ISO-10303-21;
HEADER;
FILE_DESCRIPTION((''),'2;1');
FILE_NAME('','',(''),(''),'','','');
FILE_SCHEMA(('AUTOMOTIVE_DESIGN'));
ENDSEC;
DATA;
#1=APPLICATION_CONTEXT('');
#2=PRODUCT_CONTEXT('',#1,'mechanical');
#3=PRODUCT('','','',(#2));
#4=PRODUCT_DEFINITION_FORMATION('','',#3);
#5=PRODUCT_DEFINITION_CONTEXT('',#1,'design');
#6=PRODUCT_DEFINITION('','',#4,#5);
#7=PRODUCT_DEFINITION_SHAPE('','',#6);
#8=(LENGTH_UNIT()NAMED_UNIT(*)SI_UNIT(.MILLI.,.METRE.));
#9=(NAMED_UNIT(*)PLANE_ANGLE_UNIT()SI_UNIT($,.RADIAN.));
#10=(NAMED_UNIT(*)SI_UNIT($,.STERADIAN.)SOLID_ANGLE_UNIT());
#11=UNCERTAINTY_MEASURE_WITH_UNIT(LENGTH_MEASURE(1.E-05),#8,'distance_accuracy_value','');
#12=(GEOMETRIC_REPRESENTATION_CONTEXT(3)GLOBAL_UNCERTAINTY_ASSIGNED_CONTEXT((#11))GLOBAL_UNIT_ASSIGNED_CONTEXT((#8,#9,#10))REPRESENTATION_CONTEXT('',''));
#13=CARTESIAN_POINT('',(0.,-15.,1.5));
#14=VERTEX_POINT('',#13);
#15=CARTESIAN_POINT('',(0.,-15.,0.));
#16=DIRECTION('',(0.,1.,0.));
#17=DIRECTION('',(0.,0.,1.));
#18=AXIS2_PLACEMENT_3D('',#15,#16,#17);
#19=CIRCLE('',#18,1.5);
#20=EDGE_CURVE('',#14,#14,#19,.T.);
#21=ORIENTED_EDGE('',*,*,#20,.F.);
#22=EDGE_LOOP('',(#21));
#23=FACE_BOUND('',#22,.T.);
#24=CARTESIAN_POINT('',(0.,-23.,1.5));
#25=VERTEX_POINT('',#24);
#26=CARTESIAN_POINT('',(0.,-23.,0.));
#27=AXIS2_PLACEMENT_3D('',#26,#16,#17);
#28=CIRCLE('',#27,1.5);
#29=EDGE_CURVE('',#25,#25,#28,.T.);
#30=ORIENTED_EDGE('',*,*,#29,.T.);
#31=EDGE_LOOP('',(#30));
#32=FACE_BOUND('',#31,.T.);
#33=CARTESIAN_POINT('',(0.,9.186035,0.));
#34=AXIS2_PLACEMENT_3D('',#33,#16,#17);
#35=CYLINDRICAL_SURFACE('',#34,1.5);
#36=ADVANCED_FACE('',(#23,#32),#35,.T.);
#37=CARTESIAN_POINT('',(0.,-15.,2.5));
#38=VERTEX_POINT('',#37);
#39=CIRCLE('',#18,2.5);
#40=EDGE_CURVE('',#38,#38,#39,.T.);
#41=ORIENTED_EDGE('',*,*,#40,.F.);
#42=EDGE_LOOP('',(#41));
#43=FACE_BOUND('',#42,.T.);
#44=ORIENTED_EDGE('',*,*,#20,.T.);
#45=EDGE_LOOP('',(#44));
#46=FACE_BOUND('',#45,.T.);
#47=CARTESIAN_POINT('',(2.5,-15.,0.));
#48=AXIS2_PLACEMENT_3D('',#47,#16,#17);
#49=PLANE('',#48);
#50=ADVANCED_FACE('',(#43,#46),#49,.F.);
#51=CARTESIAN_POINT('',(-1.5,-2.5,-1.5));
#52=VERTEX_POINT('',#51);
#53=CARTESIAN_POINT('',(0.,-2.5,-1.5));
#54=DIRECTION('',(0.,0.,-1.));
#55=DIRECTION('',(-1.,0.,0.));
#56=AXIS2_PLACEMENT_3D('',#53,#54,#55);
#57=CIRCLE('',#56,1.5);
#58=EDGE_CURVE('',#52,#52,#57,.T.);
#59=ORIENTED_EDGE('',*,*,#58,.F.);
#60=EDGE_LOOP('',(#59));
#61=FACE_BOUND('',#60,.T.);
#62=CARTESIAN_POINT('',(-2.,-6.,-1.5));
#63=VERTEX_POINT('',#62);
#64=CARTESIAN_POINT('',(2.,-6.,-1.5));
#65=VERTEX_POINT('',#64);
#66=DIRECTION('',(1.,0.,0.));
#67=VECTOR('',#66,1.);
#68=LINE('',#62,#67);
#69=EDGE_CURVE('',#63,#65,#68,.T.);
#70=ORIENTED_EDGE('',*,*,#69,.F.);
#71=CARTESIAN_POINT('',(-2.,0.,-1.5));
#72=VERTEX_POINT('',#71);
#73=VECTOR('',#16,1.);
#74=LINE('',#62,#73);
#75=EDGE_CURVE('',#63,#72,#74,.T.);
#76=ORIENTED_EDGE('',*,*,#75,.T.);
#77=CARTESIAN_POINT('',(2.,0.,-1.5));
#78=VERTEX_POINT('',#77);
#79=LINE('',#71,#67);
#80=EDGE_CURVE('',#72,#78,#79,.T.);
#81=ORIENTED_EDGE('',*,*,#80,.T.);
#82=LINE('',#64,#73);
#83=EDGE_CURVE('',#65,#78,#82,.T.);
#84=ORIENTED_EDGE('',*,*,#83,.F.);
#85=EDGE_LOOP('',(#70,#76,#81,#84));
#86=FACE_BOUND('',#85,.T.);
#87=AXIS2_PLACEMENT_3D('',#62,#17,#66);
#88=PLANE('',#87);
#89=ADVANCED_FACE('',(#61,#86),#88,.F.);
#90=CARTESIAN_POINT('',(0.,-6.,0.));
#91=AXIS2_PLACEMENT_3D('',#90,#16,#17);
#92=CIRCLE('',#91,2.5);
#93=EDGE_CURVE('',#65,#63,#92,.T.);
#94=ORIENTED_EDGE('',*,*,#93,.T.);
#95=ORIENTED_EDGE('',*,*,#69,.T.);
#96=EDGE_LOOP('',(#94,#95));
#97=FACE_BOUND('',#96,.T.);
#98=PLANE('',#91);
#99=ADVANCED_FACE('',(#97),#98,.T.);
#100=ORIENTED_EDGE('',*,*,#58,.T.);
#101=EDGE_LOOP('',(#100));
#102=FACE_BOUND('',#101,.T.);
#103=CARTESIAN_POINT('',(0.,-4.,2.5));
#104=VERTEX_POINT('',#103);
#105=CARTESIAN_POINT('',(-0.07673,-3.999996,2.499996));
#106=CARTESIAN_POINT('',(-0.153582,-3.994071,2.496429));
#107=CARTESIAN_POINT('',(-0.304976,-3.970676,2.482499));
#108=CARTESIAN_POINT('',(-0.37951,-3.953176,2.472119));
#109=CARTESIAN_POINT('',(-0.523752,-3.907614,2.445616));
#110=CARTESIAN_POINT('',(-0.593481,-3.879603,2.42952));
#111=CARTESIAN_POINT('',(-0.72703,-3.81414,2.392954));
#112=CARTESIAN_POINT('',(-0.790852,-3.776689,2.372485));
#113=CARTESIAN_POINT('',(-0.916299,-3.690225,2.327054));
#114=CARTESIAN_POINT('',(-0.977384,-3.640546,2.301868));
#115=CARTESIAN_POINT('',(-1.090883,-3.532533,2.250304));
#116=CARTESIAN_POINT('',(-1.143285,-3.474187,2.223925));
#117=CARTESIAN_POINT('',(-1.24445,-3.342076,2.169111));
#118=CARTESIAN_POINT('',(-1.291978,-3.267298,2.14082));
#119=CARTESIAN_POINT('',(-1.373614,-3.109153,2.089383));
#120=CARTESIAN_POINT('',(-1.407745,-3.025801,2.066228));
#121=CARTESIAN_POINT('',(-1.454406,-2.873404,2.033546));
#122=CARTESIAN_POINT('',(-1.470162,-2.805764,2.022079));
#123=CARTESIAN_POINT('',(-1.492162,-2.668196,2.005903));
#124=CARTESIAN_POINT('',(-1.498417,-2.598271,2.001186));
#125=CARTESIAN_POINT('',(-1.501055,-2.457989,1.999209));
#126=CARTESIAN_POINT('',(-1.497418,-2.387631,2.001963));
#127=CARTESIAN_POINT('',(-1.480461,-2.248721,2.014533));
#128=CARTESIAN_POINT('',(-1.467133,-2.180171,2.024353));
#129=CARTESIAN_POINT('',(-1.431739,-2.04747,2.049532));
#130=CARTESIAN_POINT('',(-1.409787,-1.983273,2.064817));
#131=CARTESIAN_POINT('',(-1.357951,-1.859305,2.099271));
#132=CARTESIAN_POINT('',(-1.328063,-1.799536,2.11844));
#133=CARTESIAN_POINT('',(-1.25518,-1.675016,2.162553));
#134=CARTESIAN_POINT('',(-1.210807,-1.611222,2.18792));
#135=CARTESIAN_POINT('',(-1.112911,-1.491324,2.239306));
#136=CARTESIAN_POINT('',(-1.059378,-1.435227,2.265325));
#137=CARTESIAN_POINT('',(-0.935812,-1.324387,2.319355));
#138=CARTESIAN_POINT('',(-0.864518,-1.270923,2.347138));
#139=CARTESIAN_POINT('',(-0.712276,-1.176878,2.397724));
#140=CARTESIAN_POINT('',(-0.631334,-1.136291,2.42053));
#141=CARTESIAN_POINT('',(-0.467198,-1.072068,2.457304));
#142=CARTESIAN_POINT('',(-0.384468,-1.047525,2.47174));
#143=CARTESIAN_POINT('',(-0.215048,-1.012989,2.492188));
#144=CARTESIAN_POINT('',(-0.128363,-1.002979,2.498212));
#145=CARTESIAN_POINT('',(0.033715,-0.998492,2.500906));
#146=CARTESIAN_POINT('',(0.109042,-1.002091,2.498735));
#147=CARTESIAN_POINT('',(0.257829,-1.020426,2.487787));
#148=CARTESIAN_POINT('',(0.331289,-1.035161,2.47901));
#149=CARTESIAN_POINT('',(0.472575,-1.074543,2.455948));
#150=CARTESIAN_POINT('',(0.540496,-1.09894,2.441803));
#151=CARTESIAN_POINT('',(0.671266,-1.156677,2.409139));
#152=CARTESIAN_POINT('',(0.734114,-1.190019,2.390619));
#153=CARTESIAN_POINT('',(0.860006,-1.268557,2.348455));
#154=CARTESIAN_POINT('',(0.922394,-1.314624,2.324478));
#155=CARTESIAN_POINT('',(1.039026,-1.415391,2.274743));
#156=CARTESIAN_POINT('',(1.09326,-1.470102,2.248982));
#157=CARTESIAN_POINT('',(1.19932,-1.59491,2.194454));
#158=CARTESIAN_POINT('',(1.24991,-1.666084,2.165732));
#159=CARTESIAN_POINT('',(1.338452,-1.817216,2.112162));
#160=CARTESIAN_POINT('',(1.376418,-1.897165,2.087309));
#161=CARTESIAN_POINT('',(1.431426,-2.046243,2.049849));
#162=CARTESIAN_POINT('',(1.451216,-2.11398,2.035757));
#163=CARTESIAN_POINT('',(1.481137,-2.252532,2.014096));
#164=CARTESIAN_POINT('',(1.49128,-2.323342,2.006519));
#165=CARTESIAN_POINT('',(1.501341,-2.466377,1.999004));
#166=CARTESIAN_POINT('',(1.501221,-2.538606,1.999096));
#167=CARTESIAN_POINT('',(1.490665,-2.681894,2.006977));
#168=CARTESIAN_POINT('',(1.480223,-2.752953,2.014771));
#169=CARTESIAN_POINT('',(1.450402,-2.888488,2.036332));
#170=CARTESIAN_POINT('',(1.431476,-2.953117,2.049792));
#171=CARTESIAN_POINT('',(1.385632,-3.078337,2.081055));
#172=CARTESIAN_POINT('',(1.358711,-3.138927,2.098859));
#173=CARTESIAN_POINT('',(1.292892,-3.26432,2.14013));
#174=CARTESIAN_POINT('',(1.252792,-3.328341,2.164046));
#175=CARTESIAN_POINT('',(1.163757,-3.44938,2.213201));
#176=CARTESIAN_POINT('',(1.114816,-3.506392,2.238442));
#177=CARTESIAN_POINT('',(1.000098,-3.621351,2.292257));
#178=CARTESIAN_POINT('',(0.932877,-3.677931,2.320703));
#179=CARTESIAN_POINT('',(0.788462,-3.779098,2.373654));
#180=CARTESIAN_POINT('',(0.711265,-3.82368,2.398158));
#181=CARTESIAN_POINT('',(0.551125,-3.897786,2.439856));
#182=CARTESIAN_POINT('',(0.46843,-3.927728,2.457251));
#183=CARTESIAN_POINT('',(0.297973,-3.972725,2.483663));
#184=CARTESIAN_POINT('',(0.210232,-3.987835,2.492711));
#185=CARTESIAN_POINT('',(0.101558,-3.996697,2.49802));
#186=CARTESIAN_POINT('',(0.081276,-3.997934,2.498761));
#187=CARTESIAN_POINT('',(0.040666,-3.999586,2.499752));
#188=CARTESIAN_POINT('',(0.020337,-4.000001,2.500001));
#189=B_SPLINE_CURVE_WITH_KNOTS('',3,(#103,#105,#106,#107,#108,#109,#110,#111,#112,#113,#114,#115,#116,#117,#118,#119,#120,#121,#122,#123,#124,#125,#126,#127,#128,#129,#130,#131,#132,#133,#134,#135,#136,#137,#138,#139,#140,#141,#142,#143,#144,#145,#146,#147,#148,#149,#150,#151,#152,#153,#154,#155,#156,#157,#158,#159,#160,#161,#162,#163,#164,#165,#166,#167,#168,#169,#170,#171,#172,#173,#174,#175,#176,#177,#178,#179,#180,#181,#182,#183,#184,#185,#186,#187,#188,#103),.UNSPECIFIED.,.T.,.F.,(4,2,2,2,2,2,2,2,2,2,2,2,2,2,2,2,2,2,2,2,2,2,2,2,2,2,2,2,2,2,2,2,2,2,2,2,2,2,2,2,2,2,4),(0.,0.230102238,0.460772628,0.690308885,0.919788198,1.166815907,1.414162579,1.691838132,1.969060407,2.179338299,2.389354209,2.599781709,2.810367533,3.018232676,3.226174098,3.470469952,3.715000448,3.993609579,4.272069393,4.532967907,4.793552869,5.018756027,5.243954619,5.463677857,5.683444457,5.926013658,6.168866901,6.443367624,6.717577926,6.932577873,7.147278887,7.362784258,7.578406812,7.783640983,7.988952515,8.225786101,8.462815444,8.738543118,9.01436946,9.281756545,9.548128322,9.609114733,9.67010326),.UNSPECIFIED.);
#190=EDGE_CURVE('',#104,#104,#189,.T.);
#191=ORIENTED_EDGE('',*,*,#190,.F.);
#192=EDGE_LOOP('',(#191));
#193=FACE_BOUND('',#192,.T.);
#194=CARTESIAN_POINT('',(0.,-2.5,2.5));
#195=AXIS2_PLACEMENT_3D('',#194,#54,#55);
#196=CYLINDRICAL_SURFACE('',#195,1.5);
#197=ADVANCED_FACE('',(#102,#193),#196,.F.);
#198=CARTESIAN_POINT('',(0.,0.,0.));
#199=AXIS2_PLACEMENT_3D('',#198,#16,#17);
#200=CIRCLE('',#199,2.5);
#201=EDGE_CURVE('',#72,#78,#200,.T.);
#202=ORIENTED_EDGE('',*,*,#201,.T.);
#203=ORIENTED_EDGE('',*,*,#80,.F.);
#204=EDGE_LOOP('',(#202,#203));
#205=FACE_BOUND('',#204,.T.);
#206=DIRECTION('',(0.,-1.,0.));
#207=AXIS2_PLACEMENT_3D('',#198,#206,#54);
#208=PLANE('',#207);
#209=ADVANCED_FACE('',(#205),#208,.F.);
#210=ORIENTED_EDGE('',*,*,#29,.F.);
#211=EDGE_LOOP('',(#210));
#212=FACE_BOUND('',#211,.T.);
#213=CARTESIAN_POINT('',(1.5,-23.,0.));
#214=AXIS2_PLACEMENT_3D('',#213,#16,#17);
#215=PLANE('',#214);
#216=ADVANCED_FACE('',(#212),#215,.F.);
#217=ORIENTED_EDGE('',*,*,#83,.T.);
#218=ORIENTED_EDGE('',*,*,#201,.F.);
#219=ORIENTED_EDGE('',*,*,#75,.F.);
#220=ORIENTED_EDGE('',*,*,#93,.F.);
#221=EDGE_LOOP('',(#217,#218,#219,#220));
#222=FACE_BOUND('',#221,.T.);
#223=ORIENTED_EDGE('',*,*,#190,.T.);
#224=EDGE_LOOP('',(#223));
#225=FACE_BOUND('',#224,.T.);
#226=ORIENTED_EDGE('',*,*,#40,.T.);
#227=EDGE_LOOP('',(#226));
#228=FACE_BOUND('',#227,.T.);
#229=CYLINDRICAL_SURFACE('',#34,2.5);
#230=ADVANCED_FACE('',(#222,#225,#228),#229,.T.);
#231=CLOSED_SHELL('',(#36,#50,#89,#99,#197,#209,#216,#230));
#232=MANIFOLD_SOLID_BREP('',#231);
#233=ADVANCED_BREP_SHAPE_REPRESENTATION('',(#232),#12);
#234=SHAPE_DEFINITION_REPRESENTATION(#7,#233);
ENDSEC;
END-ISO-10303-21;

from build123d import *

# Parameters (mm, degrees)
CUT_EXTRUDE_1_DEPTH = 6
SKETCH_3_R          = 1.5
CUT_EXTRUDE_2_DEPTH = 5


with BuildPart() as part:
    # 草图1 → 旋转1 (revolve)
    with BuildSketch(Plane.XY):
        Polygon((0, 0), (2.5, 0), (2.5, -15), (1.5, -15), (1.5, -23), (0, -23), align=None)
    revolve(axis=Axis((0, 9.186035128, 0), (0, -1, 0)))

    # 草图2 → 切除-拉伸1 (cut)
    with BuildSketch(Plane(origin=(0, 0, 0), x_dir=(1, 0, 0), z_dir=(0, 1, 0))):
        with BuildLine():
            Line((-2, 1.5), (2, 1.5))
            ThreePointArc((2, 1.5), (0, 2.5), (-2, 1.5))
        make_face()
    extrude(amount=-CUT_EXTRUDE_1_DEPTH, mode=Mode.SUBTRACT)

    # 草图3 → 切除-拉伸2 (cut, through all)
    with BuildSketch(Plane(origin=(0, 0, -1.5), x_dir=(-1, 0, 0), z_dir=(0, 0, -1))):
        with Locations((0, -2.5)):
            Circle(SKETCH_3_R)
    extrude(amount=-CUT_EXTRUDE_2_DEPTH, mode=Mode.SUBTRACT)


solid = part.part
